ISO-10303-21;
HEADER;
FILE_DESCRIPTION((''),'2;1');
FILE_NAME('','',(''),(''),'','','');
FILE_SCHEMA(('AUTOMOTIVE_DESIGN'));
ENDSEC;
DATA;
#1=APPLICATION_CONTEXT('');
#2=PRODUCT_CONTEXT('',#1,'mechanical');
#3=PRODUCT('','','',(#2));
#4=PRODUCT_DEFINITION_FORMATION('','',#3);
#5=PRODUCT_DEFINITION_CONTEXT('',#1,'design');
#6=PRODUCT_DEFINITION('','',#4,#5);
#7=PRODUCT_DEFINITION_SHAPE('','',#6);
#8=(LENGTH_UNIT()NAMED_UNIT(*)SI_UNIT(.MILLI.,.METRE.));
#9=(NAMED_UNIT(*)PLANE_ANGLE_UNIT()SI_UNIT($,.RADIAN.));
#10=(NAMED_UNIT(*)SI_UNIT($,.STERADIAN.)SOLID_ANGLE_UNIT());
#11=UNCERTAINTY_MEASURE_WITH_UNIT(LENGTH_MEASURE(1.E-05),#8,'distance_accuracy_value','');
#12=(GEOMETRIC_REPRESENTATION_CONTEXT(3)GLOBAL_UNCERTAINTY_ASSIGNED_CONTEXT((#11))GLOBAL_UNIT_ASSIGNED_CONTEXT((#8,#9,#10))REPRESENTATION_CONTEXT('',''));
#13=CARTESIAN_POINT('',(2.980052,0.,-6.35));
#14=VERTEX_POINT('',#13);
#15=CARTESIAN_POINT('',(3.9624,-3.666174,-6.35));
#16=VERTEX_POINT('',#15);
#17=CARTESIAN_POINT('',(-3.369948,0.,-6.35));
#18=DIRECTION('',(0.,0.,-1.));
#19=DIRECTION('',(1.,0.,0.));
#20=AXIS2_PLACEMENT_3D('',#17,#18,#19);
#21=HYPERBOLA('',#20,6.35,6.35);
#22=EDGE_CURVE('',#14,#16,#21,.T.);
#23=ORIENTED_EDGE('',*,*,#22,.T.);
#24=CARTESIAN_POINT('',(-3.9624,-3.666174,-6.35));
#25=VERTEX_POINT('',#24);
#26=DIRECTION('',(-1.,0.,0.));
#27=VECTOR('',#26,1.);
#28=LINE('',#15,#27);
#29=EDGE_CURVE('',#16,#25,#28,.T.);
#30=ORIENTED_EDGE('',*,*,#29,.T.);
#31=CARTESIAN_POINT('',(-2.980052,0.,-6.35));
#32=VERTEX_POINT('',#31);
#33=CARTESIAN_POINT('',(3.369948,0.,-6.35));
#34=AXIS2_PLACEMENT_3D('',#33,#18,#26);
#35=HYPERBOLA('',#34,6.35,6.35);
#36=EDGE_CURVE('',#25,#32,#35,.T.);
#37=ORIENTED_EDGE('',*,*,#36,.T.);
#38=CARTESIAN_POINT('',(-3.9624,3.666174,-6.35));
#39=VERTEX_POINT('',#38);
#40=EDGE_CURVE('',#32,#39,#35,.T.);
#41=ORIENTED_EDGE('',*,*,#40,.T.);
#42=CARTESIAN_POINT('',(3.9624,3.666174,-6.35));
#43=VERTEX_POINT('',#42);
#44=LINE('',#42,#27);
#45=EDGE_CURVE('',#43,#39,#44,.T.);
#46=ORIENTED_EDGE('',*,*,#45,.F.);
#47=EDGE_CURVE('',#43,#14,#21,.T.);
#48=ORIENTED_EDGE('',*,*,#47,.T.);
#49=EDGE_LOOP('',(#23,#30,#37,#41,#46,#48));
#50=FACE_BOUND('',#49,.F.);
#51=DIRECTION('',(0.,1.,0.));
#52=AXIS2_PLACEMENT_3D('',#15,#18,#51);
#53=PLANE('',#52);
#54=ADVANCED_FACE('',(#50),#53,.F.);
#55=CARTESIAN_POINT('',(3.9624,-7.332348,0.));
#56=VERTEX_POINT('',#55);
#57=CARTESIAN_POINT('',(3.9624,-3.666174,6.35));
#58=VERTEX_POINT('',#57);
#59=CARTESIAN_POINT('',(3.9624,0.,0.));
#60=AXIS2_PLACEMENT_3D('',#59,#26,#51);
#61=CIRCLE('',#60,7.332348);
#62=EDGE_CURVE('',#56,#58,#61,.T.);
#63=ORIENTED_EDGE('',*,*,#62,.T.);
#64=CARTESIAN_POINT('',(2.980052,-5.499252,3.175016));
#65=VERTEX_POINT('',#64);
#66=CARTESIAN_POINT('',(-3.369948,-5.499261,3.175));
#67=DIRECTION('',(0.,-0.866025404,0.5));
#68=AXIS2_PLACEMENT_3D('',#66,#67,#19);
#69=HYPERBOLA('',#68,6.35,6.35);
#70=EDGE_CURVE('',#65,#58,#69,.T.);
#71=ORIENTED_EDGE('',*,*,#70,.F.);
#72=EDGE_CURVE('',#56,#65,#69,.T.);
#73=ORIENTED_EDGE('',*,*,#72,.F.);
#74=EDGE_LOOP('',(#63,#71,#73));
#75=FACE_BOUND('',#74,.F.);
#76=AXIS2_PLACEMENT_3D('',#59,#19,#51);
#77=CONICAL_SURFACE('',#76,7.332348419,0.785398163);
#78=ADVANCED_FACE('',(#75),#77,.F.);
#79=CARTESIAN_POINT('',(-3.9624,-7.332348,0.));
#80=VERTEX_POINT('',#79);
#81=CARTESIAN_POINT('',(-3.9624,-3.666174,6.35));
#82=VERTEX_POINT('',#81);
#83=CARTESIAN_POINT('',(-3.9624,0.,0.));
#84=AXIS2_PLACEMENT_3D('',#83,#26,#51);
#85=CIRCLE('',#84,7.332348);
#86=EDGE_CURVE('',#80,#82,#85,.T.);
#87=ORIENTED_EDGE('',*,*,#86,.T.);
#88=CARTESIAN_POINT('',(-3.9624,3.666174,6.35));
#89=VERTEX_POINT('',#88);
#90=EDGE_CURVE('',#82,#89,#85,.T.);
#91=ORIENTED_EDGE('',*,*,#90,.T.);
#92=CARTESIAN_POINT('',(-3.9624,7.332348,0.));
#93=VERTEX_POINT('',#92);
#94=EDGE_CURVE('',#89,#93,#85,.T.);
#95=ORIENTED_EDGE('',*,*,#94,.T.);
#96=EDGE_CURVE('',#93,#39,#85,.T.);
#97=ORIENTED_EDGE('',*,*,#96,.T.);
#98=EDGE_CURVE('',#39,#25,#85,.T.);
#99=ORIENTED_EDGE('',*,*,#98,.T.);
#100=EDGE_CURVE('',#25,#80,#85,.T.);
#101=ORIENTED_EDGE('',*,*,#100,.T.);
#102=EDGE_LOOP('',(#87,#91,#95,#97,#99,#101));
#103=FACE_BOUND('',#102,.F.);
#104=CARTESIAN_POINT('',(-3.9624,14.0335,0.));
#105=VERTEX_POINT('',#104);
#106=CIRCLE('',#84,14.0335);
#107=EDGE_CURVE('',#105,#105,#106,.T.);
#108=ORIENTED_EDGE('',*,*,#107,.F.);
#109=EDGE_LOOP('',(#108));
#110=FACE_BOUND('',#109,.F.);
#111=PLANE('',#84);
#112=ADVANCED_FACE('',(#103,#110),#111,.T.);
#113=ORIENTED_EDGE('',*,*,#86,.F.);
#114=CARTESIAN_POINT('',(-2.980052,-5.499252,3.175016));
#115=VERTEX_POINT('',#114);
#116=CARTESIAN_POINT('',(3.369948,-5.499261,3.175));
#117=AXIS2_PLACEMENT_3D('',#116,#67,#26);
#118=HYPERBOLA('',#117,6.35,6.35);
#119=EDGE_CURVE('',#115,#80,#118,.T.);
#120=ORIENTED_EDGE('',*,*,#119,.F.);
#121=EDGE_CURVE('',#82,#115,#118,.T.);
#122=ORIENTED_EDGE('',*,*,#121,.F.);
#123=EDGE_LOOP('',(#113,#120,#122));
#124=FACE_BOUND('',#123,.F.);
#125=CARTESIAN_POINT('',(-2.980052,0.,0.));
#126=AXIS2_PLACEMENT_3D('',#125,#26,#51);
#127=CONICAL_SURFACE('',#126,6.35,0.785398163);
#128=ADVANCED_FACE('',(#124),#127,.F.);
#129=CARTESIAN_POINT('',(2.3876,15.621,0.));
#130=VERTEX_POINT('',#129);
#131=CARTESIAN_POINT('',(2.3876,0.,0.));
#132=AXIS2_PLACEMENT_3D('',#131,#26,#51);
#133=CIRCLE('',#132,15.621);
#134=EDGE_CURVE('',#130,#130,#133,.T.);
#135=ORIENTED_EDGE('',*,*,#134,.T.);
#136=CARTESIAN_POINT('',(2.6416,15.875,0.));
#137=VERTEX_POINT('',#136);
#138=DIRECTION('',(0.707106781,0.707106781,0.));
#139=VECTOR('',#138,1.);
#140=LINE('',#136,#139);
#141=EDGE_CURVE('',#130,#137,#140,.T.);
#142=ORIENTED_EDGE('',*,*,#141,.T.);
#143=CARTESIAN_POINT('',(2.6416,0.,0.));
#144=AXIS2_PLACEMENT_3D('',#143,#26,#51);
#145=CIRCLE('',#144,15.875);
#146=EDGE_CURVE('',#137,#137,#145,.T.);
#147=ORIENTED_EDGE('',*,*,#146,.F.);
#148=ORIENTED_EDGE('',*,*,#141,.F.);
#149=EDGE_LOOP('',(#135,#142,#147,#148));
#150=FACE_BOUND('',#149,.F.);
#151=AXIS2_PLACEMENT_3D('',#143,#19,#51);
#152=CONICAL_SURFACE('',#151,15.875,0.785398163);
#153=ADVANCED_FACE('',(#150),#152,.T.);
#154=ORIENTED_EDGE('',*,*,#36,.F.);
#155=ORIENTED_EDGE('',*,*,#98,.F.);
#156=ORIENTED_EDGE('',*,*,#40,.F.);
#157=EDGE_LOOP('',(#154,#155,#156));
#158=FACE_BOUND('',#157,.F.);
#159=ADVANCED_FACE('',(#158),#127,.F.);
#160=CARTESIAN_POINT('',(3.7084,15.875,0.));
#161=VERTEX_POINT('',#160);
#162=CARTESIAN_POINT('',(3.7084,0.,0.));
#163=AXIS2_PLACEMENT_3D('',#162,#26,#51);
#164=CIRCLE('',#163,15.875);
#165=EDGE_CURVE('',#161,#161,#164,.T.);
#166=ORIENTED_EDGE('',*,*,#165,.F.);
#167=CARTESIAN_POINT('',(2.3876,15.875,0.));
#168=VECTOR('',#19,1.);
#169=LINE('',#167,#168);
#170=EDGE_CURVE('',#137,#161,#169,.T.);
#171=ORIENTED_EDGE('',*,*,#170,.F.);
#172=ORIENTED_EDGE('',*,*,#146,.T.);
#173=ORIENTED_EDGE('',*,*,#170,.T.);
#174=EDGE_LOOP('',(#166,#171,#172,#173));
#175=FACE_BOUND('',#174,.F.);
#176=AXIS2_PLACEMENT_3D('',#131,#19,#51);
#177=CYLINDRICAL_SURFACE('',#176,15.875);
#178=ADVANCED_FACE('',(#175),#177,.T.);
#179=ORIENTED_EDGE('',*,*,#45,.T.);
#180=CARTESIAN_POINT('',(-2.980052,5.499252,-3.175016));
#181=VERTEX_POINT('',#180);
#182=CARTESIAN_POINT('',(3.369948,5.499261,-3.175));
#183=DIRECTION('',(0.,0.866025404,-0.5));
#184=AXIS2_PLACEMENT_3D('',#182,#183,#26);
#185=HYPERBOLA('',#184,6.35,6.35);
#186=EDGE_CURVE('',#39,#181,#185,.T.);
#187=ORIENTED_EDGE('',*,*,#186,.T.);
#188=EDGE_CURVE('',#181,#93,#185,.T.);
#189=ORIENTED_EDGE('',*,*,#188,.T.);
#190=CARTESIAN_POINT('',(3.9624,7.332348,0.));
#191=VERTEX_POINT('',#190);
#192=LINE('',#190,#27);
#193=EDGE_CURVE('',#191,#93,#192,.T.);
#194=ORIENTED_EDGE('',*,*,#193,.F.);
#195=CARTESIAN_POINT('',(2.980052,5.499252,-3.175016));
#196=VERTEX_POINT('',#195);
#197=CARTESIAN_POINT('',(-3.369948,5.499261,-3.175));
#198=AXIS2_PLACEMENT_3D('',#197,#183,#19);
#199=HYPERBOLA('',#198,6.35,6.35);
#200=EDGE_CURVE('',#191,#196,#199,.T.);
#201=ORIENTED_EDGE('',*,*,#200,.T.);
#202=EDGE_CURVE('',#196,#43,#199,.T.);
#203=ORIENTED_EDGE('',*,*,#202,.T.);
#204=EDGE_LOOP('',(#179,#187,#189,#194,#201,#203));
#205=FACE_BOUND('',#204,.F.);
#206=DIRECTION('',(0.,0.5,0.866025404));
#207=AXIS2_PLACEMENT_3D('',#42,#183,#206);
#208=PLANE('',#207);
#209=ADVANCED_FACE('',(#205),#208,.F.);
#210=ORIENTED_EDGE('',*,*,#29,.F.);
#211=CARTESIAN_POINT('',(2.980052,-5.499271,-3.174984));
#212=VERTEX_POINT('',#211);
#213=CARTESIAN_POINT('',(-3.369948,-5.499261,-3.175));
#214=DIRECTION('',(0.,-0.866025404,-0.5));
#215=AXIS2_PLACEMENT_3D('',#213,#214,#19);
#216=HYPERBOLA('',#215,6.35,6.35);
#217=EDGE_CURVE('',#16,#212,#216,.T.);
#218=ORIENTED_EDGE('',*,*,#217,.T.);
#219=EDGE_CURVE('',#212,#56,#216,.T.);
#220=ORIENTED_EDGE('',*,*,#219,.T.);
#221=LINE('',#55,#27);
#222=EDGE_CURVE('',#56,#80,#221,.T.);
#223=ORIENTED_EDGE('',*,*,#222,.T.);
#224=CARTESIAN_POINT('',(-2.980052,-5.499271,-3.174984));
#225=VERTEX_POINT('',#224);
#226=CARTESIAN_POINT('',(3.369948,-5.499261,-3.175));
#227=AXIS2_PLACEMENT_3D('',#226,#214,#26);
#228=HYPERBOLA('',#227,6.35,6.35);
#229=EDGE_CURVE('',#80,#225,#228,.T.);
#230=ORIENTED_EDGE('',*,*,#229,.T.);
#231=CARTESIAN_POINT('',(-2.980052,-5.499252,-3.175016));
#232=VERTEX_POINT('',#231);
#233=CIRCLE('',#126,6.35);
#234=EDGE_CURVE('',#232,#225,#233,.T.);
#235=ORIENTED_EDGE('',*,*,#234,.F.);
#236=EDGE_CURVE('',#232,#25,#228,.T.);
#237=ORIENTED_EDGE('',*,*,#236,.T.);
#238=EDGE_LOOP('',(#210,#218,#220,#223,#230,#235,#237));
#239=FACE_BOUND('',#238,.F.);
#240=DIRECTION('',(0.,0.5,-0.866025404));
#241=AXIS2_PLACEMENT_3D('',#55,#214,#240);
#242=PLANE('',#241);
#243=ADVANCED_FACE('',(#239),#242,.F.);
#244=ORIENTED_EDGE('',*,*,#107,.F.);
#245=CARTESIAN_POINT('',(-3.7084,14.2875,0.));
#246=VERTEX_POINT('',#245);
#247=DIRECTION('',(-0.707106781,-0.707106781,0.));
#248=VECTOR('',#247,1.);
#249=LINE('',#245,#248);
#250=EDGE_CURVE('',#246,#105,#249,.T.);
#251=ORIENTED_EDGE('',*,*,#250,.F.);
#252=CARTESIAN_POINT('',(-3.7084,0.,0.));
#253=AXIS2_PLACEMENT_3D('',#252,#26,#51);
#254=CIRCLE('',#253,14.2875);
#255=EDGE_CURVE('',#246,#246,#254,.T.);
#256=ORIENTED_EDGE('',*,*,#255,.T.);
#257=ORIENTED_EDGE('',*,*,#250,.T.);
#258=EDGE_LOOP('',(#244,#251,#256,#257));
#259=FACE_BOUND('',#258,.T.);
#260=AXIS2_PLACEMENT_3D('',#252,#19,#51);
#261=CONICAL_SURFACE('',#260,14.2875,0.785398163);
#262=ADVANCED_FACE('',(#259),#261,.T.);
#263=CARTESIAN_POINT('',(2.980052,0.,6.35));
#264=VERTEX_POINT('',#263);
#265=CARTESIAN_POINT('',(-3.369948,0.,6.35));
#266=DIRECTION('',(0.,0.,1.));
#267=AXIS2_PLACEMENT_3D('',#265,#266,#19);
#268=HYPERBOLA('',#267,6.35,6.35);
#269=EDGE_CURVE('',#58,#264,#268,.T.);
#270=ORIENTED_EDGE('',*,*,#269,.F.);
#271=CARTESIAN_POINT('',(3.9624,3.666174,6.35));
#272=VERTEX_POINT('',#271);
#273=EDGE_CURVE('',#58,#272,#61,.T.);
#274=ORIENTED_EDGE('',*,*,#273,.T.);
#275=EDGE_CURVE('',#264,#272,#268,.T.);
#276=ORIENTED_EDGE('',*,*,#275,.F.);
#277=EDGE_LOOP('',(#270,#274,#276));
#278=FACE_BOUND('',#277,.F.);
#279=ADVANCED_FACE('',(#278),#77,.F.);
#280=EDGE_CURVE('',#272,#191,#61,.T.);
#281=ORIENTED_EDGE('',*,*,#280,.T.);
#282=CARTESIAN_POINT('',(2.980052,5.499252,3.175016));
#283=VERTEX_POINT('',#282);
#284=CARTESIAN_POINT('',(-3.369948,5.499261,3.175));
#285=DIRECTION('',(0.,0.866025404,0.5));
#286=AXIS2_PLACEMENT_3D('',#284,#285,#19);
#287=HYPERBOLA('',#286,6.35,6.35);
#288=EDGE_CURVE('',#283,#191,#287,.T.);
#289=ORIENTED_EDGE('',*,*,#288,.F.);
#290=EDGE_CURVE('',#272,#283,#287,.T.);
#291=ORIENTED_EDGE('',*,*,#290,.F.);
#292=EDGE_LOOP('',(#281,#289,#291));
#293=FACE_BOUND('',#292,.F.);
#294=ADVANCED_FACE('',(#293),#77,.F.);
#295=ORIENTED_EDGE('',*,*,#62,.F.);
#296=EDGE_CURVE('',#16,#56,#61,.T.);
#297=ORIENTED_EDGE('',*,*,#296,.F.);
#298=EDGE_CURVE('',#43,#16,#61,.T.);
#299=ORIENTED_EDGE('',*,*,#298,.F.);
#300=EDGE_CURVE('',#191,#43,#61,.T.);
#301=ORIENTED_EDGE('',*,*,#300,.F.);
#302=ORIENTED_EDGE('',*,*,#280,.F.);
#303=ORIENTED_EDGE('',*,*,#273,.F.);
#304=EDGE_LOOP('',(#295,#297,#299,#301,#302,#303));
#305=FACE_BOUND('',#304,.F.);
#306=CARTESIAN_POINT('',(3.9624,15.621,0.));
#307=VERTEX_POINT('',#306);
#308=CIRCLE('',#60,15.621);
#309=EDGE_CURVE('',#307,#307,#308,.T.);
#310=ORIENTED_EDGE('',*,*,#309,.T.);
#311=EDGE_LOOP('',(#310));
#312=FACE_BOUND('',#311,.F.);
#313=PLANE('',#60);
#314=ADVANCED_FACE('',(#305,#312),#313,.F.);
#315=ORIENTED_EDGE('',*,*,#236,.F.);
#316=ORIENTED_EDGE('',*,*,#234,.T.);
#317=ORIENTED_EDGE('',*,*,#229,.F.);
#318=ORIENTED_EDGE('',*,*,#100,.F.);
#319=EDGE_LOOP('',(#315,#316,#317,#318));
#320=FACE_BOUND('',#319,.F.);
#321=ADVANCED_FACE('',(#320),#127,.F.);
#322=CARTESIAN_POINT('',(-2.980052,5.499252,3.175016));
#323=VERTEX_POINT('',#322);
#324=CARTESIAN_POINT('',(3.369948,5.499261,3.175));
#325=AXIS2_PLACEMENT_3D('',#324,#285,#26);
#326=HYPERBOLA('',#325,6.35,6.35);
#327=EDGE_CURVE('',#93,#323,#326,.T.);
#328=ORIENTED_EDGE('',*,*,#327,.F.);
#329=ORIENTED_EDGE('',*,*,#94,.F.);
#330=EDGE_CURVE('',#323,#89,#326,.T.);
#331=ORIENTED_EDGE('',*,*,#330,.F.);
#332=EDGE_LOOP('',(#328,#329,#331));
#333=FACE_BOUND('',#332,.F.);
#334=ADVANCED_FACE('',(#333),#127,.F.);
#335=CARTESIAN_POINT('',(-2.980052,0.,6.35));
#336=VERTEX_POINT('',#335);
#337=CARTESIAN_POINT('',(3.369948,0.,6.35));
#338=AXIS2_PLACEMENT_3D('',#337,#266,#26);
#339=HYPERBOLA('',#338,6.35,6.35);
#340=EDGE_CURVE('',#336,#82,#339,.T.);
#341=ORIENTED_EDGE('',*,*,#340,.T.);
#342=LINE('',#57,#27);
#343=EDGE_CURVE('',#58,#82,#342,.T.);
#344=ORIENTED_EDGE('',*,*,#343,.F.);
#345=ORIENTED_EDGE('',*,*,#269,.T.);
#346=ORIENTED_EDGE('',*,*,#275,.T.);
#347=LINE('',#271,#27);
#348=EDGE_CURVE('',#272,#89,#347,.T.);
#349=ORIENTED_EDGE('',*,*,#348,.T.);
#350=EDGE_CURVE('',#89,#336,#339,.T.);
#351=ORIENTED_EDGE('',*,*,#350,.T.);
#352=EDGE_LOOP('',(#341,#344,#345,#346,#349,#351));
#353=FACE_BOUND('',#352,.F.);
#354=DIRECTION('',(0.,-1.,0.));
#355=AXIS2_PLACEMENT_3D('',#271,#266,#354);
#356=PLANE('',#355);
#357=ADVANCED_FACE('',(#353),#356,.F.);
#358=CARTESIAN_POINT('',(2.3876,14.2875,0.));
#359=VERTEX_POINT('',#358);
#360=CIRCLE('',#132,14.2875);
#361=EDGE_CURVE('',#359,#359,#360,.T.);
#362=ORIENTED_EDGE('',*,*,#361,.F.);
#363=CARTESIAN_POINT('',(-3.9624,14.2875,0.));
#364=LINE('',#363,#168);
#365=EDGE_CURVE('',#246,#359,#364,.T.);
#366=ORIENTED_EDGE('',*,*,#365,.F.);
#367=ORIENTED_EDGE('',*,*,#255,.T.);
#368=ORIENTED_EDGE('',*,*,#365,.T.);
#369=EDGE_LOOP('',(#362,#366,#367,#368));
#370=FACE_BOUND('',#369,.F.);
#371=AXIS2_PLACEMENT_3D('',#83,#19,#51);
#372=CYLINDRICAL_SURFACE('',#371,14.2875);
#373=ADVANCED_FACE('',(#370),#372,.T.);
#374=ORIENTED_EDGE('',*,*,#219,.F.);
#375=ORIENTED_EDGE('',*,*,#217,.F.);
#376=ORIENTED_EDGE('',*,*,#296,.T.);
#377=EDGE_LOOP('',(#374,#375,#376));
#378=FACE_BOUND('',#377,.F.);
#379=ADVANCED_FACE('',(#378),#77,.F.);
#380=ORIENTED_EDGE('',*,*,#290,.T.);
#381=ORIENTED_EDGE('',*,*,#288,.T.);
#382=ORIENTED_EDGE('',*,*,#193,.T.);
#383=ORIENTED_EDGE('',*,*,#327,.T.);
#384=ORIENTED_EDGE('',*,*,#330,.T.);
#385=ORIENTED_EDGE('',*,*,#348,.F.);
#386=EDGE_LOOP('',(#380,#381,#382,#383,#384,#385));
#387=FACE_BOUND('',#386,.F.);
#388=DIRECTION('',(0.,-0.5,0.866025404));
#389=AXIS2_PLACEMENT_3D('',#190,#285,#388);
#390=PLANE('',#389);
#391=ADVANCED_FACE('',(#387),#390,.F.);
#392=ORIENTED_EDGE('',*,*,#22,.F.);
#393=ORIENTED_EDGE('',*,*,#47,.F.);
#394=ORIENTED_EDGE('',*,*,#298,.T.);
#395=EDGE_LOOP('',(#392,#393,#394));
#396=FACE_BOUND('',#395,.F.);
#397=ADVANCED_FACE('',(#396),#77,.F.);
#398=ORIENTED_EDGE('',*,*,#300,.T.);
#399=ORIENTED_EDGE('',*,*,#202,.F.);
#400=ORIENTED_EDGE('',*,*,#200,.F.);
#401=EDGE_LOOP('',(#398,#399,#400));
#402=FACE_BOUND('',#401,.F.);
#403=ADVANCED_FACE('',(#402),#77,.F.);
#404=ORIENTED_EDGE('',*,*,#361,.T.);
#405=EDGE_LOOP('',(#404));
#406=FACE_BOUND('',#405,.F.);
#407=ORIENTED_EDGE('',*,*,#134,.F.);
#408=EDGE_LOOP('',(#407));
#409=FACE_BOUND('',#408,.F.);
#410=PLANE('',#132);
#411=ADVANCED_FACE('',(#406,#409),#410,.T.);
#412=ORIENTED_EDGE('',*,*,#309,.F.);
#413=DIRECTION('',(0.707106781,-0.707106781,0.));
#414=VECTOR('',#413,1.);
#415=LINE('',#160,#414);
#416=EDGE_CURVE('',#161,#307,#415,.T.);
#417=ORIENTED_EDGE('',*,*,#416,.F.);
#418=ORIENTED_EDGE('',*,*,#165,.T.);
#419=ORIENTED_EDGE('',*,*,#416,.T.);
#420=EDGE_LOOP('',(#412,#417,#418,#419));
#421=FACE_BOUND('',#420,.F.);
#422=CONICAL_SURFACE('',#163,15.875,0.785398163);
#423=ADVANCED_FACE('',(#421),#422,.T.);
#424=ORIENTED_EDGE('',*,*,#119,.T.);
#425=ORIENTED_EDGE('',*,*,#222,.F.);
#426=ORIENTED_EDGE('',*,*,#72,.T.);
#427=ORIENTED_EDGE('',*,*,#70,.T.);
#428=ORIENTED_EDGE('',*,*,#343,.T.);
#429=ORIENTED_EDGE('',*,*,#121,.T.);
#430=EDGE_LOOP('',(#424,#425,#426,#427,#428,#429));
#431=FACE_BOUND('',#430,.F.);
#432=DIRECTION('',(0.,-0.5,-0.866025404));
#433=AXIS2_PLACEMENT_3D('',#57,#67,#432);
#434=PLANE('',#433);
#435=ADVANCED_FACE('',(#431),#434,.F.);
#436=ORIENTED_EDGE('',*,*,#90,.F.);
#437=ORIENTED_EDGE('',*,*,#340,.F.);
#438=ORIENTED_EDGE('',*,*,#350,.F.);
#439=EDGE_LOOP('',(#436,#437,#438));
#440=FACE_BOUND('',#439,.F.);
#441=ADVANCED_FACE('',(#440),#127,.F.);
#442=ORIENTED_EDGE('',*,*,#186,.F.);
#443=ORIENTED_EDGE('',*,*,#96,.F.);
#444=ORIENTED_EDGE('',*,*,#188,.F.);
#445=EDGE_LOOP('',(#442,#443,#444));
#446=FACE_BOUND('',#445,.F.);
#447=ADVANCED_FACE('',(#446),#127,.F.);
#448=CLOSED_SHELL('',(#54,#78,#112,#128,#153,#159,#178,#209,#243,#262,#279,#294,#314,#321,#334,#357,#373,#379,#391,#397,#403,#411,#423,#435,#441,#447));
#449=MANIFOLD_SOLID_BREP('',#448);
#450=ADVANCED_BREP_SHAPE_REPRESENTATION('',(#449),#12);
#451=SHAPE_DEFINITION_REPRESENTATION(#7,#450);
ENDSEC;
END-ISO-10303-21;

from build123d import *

# Parameters (mm, degrees)
CUT_EXTRUDE1_DEPTH = 8.9248
CHAMFER1_SIZE      = 0.254


with BuildPart() as part:
    # Sketch1 → Revolve1 (revolve)
    with BuildSketch(Plane.XY):
        Polygon((-3.9624, 14.2875), (2.3876, 14.2875), (2.3876, 15.875), (3.9624, 15.875), (3.9624, 7.332348419), (2.980051581, 6.35), (-2.980051581, 6.35), (-3.9624, 7.332348419), align=None)
    revolve(axis=Axis((3.9624, 0, 0), (-1, 0, 0)))

    # Sketch2 → Cut-Extrude1 (cut, through all)
    with BuildSketch(Plane(origin=(3.9624, 0, 0), x_dir=(0, 0, -1), z_dir=(1, 0, 0))):
        Polygon((0, 7.332348419), (-6.35, 3.666174209), (-6.35, -3.666174209), (0, -7.332348419), (6.35, -3.666174209), (6.35, 3.666174209), align=None)
    extrude(amount=-CUT_EXTRUDE1_DEPTH, mode=Mode.SUBTRACT)

    # Chamfer1
    chamfer1_edges = [part.edges().sort_by_distance(p)[0] for p in [
        (3.9624, -15.875, 0),
        (2.3876, -15.875, 0),
        (-3.9624, -14.2875, 0),
    ]]
    chamfer(chamfer1_edges, length=CHAMFER1_SIZE)


solid = part.part
